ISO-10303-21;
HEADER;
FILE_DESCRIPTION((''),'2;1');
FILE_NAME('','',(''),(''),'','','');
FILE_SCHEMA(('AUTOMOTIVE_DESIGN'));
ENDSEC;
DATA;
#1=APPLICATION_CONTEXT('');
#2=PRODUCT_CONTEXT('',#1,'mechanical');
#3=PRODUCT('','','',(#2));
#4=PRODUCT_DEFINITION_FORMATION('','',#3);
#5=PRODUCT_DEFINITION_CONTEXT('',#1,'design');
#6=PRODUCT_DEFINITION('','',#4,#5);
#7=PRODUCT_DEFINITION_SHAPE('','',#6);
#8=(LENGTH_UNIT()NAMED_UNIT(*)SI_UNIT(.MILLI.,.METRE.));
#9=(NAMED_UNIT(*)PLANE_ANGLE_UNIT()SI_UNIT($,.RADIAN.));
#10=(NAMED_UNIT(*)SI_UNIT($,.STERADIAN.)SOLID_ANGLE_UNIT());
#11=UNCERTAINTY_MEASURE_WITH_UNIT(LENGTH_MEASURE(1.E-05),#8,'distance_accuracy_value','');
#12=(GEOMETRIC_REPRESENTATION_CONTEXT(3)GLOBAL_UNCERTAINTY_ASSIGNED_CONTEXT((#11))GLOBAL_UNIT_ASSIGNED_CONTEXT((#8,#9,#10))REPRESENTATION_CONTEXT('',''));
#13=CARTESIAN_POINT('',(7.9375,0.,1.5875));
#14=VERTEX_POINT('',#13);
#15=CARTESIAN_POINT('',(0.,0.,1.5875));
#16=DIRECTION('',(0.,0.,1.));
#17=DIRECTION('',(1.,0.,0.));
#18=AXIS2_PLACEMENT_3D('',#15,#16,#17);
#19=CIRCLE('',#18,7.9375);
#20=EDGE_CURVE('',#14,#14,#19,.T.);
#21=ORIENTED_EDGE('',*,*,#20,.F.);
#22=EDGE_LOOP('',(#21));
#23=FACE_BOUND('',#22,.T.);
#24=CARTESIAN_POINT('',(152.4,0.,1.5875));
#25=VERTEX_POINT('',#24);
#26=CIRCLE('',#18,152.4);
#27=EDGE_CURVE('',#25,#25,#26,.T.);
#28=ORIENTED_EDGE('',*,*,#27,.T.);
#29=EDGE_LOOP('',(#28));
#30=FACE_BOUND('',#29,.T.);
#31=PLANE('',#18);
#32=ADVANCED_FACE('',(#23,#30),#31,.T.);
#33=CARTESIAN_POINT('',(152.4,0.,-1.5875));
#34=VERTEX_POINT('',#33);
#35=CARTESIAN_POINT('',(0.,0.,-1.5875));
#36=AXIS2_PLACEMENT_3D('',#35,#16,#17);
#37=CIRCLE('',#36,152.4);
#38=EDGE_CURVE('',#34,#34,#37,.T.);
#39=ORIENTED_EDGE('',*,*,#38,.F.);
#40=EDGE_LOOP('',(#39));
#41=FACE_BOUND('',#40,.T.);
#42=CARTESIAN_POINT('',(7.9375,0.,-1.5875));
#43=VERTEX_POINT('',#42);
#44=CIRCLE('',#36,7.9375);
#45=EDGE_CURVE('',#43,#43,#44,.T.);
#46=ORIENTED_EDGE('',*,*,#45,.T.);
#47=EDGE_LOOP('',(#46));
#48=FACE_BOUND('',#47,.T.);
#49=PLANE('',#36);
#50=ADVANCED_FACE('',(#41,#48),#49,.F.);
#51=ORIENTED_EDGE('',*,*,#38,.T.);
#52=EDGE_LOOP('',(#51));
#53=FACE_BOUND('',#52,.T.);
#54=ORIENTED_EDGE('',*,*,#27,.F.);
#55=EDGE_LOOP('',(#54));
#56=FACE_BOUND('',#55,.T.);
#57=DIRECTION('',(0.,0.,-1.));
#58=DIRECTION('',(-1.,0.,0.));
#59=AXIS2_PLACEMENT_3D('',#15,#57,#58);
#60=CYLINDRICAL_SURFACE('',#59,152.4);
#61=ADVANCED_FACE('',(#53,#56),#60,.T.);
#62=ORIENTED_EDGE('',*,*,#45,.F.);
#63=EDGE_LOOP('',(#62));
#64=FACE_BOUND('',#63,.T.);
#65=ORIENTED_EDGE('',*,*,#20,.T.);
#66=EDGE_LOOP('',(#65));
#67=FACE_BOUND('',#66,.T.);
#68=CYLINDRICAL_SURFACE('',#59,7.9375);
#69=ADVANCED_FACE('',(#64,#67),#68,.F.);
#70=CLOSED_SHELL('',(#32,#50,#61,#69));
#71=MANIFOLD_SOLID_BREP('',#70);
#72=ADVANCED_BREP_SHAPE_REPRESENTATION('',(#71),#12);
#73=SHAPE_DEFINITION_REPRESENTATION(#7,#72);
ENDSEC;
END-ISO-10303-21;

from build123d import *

# Parameters (mm, degrees)
SKETCH1_R           = 152.4
SKETCH1_R_2         = 7.9375
BOSS_EXTRUDE1_DEPTH = 1.5875


with BuildPart() as part:
    # Sketch1 → Boss-Extrude1 (new body, symmetric)
    with BuildSketch(Plane.XY):
        Circle(SKETCH1_R)
        Circle(SKETCH1_R_2, mode=Mode.SUBTRACT)
    extrude(amount=BOSS_EXTRUDE1_DEPTH, both=True)


solid = part.part
